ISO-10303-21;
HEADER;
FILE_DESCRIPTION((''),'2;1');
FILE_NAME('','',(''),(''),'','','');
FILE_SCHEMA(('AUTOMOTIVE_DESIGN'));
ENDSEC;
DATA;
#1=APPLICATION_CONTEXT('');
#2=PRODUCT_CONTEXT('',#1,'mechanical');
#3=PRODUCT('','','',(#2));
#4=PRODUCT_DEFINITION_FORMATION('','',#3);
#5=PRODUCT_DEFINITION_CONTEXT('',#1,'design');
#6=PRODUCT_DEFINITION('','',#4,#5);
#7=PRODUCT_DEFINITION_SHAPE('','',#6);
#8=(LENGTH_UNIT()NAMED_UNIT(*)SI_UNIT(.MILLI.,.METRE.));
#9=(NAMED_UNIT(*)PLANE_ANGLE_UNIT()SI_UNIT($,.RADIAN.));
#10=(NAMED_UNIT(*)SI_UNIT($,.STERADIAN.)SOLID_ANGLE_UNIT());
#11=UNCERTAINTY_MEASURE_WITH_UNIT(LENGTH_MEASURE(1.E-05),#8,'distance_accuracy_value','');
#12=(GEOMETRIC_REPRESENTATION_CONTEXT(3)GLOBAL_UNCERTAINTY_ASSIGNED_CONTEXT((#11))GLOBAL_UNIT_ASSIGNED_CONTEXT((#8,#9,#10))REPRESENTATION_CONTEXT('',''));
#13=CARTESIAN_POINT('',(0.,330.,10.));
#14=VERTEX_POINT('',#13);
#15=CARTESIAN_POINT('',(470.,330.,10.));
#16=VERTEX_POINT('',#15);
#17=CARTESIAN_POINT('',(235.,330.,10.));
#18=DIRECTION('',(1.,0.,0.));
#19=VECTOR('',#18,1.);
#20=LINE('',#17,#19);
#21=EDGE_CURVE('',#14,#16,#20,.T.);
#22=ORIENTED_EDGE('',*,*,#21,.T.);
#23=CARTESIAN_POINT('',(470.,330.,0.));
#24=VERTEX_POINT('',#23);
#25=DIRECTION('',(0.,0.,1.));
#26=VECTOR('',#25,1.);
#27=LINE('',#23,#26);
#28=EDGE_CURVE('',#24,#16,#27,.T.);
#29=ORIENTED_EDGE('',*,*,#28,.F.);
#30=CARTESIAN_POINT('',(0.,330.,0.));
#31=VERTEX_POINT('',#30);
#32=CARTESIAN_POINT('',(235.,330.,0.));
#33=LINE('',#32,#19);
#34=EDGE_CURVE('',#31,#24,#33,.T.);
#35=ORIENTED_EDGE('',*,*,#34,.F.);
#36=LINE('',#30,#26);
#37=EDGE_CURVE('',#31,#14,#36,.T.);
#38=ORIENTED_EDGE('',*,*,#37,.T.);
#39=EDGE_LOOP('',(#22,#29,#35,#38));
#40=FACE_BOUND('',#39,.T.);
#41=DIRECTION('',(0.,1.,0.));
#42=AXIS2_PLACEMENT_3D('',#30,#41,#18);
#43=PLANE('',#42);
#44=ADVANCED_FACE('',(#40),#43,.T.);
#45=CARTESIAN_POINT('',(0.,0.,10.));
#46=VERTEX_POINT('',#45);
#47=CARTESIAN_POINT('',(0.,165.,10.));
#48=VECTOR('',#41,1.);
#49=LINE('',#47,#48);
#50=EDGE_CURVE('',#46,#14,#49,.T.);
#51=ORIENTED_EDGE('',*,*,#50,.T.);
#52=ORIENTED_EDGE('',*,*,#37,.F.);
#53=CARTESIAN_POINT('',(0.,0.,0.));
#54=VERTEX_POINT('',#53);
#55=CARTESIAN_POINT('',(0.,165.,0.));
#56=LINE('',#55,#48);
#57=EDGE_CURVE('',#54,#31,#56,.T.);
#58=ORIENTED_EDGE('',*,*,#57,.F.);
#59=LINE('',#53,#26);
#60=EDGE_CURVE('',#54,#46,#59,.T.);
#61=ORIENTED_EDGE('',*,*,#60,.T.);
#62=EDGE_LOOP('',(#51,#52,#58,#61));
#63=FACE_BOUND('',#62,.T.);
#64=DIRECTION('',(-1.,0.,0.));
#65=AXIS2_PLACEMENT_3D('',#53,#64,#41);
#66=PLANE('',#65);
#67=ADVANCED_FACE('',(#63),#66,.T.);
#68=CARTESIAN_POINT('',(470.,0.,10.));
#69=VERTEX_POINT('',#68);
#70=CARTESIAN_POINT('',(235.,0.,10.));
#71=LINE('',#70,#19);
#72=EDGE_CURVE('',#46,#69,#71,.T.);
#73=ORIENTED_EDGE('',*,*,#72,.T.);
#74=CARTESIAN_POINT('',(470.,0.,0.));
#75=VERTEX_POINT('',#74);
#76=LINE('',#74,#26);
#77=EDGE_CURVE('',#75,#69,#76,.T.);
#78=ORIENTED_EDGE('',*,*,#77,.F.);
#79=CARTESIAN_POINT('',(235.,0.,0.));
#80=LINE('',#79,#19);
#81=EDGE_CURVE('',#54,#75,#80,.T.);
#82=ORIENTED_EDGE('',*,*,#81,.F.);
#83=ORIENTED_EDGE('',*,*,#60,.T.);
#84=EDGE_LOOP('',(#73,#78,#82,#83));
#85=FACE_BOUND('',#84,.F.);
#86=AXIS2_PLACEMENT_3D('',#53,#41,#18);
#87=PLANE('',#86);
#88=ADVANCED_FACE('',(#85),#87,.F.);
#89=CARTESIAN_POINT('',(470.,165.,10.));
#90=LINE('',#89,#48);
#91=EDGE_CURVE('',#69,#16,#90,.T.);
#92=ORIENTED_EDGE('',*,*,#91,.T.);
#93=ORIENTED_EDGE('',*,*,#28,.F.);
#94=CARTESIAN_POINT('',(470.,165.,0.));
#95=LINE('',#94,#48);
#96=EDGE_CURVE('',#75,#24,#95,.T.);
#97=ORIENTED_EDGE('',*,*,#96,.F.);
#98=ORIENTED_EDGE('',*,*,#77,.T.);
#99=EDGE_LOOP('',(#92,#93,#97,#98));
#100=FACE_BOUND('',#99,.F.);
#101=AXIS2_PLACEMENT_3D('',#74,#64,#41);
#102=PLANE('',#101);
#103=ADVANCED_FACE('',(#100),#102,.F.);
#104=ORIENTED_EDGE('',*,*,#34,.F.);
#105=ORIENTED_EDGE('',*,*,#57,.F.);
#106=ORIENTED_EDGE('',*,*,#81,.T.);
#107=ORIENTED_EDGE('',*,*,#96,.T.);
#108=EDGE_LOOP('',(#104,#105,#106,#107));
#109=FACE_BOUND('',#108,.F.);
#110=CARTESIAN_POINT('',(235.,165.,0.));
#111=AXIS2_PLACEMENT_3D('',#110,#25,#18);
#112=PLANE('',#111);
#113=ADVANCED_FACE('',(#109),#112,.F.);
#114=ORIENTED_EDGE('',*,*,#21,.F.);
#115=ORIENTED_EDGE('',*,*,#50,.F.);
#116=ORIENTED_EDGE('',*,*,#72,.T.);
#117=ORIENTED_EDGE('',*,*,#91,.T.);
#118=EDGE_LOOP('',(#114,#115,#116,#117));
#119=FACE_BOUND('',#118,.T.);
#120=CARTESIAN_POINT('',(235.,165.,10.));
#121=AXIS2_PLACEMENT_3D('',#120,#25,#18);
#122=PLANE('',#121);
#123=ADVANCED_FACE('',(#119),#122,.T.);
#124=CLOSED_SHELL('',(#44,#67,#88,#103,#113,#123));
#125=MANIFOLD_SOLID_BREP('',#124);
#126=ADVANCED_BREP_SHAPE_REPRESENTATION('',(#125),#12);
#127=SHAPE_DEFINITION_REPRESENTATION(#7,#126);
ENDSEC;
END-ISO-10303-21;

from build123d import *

# Parameters (mm, degrees)
SKETCH_1_W      = 470
SKETCH_1_H      = 330
EXTRUDE_1_DEPTH = 10


with BuildPart() as part:
    # Эскиз1 → Бобышка-Вытянуть1 (new body)
    with BuildSketch(Plane.XY):
        with Locations((235, 165)):
            Rectangle(SKETCH_1_W, SKETCH_1_H)
    extrude(amount=EXTRUDE_1_DEPTH)


solid = part.part
